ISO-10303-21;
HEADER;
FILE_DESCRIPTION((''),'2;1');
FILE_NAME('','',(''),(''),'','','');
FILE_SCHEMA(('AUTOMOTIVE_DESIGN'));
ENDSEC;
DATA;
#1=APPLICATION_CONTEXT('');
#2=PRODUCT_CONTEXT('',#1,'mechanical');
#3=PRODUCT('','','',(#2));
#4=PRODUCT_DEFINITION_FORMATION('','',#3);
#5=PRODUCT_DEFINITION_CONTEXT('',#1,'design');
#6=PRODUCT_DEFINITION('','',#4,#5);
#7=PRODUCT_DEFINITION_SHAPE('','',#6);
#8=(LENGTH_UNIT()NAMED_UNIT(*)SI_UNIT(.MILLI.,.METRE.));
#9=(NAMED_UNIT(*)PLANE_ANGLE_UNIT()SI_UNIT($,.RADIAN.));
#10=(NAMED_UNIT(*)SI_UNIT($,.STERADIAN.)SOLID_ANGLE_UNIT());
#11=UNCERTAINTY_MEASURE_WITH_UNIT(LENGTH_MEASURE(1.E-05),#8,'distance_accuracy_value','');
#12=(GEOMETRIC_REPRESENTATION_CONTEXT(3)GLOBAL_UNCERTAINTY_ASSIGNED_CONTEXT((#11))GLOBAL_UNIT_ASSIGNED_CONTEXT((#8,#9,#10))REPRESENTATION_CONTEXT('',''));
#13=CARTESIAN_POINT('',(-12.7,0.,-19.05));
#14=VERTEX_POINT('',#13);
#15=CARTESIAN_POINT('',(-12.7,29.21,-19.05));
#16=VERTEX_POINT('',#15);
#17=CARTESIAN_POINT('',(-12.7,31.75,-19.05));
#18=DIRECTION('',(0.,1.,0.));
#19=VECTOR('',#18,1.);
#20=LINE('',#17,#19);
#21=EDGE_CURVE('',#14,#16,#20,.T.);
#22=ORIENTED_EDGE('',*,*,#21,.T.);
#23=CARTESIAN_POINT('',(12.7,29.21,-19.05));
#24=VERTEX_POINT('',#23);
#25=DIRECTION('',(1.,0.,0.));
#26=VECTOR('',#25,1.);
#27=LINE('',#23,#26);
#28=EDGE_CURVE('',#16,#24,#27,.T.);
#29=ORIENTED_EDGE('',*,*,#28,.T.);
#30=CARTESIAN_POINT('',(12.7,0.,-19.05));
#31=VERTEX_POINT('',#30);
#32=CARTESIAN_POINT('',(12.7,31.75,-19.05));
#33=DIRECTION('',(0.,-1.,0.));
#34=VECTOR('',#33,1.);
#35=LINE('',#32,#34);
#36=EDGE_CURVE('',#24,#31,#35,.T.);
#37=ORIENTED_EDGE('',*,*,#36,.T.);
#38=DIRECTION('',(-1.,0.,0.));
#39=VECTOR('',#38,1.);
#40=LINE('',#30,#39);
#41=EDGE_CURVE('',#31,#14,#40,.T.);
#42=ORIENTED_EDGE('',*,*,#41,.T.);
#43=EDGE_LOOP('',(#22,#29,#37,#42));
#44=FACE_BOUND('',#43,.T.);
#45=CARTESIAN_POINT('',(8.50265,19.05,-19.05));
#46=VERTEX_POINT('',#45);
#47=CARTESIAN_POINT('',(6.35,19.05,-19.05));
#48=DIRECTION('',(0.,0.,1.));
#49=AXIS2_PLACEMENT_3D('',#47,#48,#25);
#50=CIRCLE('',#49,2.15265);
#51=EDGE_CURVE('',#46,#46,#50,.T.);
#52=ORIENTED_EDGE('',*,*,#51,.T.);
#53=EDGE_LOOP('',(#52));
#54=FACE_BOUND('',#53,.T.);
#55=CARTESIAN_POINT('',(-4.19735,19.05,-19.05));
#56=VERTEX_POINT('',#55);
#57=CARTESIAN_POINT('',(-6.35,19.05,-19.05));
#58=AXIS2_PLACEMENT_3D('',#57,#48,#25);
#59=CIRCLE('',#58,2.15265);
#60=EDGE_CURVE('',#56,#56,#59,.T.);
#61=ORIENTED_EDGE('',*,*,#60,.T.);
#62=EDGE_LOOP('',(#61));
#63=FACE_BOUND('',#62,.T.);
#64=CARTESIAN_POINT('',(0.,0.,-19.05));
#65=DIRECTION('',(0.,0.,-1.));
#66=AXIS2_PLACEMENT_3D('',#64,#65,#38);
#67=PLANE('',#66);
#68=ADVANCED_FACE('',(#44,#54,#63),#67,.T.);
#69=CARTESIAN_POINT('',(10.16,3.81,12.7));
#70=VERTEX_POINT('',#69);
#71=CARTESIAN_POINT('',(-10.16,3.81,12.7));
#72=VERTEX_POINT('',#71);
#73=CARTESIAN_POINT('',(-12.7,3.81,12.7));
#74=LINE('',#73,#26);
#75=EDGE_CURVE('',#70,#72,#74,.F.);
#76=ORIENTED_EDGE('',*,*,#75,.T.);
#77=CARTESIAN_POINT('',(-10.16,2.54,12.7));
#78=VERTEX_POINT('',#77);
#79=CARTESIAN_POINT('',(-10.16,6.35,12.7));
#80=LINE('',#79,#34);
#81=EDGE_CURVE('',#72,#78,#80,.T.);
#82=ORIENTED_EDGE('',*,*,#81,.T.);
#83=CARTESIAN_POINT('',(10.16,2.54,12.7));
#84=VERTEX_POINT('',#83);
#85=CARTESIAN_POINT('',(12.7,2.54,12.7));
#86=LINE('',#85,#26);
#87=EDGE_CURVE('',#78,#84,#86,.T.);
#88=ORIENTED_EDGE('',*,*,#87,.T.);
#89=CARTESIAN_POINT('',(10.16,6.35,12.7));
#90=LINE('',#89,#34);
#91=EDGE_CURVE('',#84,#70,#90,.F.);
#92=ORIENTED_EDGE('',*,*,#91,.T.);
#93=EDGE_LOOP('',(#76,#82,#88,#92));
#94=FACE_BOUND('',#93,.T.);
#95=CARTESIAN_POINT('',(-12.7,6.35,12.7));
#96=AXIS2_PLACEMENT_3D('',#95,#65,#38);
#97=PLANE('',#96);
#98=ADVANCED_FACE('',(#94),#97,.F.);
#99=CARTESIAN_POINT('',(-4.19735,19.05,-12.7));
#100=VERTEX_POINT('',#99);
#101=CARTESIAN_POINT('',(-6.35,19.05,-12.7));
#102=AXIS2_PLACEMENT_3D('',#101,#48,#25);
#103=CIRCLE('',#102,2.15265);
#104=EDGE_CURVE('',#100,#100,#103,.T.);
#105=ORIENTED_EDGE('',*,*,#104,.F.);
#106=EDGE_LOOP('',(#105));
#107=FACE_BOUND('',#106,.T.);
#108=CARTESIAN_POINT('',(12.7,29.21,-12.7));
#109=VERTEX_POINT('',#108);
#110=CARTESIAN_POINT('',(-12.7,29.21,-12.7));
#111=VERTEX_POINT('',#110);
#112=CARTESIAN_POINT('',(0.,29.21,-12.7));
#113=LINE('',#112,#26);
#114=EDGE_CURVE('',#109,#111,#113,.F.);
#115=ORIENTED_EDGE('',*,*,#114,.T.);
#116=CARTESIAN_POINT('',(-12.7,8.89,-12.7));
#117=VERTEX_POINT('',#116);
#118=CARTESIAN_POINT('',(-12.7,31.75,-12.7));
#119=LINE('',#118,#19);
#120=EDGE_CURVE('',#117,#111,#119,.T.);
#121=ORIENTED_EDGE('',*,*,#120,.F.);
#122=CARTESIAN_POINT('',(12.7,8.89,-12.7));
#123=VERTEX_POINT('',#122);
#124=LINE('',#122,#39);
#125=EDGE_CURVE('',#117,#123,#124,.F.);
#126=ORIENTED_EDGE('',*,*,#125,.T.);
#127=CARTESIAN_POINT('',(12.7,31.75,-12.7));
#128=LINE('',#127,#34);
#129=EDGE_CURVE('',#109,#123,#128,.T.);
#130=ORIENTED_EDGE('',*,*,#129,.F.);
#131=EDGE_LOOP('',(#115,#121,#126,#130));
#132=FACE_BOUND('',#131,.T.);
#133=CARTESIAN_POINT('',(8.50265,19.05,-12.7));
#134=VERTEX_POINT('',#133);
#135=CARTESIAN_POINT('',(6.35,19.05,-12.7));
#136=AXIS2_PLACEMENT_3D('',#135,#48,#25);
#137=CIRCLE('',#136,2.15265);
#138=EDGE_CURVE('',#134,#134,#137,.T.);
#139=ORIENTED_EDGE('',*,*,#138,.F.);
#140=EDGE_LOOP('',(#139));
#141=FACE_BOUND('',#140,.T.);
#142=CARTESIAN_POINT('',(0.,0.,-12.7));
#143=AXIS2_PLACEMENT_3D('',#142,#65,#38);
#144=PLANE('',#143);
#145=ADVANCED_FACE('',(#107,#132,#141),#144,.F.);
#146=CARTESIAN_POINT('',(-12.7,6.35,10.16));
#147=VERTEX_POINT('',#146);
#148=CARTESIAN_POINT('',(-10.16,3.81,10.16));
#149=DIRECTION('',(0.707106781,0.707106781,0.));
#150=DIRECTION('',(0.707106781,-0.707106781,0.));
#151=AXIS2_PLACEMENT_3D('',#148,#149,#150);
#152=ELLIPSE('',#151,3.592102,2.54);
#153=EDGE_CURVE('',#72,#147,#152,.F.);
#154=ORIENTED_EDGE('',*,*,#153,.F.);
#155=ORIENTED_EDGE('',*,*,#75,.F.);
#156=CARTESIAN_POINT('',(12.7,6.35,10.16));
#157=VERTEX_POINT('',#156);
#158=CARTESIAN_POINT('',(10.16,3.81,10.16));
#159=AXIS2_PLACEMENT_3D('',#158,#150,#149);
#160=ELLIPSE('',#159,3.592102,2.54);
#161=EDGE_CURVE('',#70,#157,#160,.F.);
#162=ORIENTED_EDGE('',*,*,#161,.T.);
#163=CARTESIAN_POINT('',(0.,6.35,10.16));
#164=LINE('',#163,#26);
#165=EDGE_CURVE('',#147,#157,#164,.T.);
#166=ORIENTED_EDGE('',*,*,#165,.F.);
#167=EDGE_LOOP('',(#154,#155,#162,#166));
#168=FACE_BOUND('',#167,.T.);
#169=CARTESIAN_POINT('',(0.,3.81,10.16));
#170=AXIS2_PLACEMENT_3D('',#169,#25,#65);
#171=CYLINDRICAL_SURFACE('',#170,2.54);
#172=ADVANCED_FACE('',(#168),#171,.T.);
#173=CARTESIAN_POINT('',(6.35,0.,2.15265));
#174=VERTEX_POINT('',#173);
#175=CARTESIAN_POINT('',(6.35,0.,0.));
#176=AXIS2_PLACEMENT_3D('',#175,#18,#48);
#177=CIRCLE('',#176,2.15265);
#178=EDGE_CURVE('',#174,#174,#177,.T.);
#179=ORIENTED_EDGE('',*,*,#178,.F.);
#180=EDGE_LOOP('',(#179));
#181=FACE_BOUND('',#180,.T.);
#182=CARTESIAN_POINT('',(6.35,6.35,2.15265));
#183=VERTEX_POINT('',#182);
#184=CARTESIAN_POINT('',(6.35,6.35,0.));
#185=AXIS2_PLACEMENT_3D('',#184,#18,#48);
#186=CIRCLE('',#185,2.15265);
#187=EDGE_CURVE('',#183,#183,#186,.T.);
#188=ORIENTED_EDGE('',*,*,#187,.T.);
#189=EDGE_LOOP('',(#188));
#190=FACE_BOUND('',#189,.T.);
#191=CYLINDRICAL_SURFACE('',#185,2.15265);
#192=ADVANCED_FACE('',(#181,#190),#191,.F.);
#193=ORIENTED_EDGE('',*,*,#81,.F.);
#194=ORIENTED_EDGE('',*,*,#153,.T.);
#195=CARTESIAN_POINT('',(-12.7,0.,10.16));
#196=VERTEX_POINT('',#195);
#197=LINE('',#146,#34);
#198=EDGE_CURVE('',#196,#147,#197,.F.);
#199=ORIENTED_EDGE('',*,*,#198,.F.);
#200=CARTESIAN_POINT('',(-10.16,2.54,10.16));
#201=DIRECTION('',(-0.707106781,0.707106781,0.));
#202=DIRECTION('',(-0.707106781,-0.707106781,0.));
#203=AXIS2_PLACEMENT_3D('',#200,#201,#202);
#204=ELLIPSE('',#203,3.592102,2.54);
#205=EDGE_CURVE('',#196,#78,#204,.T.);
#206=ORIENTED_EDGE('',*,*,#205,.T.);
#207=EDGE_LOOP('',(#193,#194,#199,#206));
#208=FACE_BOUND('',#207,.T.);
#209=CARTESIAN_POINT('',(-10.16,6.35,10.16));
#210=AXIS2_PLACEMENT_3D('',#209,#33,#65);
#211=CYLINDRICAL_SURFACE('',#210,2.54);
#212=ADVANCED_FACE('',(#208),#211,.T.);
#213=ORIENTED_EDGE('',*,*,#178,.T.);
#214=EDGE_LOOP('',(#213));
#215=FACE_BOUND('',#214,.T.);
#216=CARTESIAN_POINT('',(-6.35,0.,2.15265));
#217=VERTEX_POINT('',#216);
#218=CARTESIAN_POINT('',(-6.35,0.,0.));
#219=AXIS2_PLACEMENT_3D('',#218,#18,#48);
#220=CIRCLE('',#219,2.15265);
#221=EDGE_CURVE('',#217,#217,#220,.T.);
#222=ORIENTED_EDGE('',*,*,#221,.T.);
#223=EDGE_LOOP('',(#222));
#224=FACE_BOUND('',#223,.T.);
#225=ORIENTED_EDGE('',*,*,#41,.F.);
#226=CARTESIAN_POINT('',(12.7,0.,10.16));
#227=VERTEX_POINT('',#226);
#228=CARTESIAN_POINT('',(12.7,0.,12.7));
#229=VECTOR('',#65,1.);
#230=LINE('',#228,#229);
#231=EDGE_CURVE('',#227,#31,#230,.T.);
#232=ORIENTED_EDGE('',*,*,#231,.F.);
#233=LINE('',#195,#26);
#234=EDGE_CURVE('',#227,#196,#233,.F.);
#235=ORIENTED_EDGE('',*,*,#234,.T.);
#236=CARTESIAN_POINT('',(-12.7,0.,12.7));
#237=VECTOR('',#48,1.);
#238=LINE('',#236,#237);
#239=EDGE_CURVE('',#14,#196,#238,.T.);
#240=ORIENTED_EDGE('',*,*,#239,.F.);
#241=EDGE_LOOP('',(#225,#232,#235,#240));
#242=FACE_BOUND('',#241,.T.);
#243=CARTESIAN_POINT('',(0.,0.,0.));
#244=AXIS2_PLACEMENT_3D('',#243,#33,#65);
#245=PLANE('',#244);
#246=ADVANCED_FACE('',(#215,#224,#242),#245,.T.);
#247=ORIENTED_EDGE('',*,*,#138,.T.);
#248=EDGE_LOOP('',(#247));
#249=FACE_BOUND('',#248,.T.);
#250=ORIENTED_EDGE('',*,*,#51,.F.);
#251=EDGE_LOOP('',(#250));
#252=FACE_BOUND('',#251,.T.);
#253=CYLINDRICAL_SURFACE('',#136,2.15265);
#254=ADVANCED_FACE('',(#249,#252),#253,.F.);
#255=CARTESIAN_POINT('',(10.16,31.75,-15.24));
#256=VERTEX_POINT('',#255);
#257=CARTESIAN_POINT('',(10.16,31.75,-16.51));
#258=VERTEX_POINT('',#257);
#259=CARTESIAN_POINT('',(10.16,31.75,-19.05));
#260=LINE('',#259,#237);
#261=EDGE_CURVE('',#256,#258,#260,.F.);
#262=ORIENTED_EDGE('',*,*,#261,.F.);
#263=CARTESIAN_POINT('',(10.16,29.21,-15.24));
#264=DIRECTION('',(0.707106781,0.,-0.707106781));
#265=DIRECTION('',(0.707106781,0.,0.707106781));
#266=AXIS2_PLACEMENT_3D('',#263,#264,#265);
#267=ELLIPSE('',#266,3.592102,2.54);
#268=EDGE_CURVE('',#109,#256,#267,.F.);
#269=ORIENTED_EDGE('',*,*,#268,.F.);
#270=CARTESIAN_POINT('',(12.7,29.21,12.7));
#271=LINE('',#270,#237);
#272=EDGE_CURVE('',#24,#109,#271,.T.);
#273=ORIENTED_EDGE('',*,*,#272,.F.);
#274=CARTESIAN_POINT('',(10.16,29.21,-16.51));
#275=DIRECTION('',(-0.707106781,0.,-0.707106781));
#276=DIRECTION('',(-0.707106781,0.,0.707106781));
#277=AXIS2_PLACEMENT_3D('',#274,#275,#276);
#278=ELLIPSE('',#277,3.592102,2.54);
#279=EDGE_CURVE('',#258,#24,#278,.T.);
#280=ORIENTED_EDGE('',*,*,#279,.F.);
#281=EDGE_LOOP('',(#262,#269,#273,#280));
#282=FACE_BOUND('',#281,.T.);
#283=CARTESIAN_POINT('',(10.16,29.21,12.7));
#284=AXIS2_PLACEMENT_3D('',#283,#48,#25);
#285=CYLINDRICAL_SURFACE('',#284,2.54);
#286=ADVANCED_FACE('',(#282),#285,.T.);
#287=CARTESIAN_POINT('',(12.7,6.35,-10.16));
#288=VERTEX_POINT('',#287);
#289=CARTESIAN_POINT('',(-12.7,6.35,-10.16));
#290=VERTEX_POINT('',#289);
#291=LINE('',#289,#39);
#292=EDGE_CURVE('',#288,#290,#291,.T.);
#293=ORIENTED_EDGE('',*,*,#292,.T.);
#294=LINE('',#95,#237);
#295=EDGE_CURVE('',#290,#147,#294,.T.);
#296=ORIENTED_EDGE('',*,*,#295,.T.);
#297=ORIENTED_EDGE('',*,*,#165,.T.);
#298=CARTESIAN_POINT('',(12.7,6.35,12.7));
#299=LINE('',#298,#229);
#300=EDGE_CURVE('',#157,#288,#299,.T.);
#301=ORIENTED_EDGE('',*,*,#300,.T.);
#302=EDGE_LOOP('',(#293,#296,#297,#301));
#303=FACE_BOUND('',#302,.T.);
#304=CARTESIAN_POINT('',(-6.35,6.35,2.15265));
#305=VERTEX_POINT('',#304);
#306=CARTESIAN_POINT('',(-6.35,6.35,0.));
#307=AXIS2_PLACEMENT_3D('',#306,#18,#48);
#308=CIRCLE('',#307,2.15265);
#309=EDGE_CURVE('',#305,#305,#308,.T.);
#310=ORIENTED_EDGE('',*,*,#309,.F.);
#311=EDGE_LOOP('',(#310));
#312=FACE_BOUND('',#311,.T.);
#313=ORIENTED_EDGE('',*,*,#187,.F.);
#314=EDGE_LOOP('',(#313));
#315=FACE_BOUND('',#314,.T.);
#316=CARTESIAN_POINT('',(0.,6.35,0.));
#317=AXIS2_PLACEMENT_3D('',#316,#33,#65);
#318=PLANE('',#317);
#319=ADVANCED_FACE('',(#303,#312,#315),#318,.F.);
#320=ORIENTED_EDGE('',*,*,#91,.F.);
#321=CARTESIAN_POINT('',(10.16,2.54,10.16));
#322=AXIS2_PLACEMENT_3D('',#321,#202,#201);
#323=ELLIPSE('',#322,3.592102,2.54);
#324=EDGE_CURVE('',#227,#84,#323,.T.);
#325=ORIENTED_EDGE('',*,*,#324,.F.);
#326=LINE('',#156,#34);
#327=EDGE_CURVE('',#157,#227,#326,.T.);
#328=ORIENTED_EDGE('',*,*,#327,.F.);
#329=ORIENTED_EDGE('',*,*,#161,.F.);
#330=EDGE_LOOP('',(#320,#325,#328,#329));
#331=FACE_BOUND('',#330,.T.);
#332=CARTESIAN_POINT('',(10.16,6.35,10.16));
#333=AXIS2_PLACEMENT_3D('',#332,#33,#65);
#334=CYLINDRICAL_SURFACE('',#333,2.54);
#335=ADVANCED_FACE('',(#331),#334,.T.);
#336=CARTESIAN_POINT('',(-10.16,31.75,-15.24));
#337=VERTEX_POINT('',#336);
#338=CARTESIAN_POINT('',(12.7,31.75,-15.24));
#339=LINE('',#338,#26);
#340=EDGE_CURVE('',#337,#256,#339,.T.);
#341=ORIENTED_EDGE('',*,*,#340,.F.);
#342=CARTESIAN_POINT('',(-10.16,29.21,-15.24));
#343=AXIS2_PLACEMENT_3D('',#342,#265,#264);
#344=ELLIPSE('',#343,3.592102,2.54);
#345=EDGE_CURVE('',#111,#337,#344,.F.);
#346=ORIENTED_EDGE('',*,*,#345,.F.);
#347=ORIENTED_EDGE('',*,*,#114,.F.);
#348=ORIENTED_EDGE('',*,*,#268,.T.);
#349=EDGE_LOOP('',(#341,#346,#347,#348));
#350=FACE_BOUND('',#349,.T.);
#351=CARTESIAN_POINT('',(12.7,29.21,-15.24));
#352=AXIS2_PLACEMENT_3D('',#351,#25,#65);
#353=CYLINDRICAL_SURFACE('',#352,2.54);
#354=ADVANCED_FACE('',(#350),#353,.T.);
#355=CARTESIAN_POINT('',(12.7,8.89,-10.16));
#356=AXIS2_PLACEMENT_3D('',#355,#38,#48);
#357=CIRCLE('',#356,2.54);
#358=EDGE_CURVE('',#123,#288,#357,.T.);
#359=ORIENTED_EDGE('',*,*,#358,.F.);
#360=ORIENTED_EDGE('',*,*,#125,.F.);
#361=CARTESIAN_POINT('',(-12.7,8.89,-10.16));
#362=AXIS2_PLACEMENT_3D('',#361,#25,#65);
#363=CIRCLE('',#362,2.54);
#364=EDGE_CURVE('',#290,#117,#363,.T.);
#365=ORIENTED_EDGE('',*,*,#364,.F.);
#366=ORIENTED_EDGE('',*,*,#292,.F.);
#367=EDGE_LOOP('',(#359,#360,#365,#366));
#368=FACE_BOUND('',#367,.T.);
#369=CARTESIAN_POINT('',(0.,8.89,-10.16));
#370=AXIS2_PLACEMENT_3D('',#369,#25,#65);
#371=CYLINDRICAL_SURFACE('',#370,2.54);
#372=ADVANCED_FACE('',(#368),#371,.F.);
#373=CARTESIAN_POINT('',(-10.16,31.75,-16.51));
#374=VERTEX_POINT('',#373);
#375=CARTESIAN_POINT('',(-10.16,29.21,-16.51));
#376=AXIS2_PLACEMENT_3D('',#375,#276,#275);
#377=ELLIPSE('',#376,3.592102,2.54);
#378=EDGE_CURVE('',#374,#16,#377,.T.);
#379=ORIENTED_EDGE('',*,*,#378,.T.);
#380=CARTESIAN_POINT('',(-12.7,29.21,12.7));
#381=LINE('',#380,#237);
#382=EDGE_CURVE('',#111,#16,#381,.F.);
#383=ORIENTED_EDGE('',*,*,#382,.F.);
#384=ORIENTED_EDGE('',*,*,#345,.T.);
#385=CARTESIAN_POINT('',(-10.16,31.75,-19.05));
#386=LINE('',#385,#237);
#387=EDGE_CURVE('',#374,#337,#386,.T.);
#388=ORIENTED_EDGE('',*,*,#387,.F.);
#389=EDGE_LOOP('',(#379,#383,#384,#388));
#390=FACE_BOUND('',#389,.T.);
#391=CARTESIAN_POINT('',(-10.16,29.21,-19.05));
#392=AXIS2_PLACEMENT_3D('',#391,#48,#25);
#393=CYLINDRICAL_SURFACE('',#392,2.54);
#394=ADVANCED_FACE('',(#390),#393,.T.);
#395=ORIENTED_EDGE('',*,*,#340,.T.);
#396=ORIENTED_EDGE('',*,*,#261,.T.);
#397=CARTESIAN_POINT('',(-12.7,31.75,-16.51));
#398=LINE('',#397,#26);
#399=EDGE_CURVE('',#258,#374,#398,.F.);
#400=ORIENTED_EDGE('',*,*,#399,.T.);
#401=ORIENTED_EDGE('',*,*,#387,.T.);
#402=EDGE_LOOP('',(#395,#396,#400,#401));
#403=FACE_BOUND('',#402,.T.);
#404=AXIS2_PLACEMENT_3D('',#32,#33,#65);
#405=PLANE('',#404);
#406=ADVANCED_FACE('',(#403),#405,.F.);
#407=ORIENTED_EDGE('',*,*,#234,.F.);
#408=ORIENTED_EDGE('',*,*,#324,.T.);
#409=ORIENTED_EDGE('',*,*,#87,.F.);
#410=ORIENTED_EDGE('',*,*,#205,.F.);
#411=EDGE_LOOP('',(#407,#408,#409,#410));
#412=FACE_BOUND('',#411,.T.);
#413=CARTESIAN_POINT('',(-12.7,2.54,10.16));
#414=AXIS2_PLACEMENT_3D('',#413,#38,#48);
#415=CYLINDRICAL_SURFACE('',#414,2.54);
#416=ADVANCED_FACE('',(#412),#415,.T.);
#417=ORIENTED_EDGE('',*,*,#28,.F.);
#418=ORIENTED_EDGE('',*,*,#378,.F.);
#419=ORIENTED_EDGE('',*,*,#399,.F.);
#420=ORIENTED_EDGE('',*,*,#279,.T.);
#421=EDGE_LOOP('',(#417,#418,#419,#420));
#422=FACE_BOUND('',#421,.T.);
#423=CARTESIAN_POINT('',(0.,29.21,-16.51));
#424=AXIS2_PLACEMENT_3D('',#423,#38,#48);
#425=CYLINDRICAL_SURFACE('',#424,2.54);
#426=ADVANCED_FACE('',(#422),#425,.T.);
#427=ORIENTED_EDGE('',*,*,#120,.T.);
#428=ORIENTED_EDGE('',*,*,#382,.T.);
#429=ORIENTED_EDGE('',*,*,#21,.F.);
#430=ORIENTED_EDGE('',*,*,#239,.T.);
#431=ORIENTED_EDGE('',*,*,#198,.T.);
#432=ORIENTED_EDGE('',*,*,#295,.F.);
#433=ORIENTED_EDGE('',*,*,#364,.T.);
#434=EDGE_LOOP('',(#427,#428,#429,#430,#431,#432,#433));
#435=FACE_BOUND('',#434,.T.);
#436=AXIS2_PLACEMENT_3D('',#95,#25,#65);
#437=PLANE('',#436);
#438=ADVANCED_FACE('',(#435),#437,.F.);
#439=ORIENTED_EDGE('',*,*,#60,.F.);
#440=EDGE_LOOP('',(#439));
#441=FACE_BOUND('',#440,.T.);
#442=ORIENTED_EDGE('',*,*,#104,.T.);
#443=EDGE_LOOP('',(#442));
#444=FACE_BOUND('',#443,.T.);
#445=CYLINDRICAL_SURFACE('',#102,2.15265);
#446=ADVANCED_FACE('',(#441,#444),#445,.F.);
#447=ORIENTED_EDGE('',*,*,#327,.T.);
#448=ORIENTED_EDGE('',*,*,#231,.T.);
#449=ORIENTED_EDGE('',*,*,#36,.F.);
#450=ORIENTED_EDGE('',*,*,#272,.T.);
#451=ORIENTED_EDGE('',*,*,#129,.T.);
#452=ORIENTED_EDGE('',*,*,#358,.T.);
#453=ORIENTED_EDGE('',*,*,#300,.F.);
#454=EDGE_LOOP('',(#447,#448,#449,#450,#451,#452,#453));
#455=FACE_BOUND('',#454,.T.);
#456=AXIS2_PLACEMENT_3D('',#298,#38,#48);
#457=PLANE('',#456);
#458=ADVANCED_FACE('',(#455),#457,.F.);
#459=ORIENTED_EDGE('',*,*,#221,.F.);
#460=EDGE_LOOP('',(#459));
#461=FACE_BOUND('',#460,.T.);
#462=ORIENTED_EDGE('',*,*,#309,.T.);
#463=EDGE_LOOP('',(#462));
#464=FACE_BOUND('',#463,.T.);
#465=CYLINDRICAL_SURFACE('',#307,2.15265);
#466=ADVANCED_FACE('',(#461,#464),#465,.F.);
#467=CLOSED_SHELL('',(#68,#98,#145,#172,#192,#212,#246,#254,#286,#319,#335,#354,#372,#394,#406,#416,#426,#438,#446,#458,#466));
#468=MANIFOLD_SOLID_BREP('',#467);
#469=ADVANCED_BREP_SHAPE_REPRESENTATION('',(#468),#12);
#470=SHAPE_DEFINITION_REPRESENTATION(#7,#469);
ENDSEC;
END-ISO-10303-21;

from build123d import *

# Parameters (mm, degrees)
SKETCH1_W             = 25.4
SKETCH1_H             = 25.4
BOSS_EXTRUDE1_DEPTH   = 6.35
SKETCH2_W             = 25.4
SKETCH2_H             = 31.75
BOSS_EXTRUDE2_DEPTH   = 6.35
FILLET1_R             = 2.54
F_8_CLEARANCE_HOLE1_D = 4.3053
F_8_CLEARANCE_HOLE2_D = 4.3053


with BuildPart() as part:
    # Sketch1 → Boss-Extrude1 (new body)
    with BuildSketch(Plane(origin=(0, 0, 0), x_dir=(1, 0, 0), z_dir=(0, 1, 0))):
        Rectangle(SKETCH1_W, SKETCH1_H)
    extrude(amount=BOSS_EXTRUDE1_DEPTH)

    # Sketch2 → Boss-Extrude2 (add)
    with BuildSketch(Plane(origin=(0, 0, -12.7), x_dir=(-1, 0, 0), z_dir=(0, 0, -1))):
        with Locations((0, 15.875)):
            Rectangle(SKETCH2_W, SKETCH2_H)
    extrude(amount=BOSS_EXTRUDE2_DEPTH)

    # Fillet1
    fillet1_edges = [part.edges().sort_by_distance(p)[0] for p in [
        (0, 31.75, -12.7),
        (-12.7, 31.75, -15.875),
        (12.7, 31.75, -15.875),
        (0, 6.35, 12.7),
        (0, 31.75, -19.05),
        (0, 0, 12.7),
        (12.7, 3.175, 12.7),
        (-12.7, 3.175, 12.7),
        (0, 6.35, -12.7),
    ]]
    fillet(fillet1_edges, radius=FILLET1_R)

    # #8 Clearance Hole1 (through all)
    with Locations(Plane(origin=(0, 6.35, 0), x_dir=(1, 0, 0), z_dir=(0, 1, 0))):
        with Locations((-6.35, 0), (6.35, 0)):
            Hole(F_8_CLEARANCE_HOLE1_D / 2)

    # #8 Clearance Hole2 (through all)
    with Locations(Plane.XY.offset(-12.7)):
        with Locations((6.35, 19.05), (-6.35, 19.05)):
            Hole(F_8_CLEARANCE_HOLE2_D / 2)


solid = part.part
